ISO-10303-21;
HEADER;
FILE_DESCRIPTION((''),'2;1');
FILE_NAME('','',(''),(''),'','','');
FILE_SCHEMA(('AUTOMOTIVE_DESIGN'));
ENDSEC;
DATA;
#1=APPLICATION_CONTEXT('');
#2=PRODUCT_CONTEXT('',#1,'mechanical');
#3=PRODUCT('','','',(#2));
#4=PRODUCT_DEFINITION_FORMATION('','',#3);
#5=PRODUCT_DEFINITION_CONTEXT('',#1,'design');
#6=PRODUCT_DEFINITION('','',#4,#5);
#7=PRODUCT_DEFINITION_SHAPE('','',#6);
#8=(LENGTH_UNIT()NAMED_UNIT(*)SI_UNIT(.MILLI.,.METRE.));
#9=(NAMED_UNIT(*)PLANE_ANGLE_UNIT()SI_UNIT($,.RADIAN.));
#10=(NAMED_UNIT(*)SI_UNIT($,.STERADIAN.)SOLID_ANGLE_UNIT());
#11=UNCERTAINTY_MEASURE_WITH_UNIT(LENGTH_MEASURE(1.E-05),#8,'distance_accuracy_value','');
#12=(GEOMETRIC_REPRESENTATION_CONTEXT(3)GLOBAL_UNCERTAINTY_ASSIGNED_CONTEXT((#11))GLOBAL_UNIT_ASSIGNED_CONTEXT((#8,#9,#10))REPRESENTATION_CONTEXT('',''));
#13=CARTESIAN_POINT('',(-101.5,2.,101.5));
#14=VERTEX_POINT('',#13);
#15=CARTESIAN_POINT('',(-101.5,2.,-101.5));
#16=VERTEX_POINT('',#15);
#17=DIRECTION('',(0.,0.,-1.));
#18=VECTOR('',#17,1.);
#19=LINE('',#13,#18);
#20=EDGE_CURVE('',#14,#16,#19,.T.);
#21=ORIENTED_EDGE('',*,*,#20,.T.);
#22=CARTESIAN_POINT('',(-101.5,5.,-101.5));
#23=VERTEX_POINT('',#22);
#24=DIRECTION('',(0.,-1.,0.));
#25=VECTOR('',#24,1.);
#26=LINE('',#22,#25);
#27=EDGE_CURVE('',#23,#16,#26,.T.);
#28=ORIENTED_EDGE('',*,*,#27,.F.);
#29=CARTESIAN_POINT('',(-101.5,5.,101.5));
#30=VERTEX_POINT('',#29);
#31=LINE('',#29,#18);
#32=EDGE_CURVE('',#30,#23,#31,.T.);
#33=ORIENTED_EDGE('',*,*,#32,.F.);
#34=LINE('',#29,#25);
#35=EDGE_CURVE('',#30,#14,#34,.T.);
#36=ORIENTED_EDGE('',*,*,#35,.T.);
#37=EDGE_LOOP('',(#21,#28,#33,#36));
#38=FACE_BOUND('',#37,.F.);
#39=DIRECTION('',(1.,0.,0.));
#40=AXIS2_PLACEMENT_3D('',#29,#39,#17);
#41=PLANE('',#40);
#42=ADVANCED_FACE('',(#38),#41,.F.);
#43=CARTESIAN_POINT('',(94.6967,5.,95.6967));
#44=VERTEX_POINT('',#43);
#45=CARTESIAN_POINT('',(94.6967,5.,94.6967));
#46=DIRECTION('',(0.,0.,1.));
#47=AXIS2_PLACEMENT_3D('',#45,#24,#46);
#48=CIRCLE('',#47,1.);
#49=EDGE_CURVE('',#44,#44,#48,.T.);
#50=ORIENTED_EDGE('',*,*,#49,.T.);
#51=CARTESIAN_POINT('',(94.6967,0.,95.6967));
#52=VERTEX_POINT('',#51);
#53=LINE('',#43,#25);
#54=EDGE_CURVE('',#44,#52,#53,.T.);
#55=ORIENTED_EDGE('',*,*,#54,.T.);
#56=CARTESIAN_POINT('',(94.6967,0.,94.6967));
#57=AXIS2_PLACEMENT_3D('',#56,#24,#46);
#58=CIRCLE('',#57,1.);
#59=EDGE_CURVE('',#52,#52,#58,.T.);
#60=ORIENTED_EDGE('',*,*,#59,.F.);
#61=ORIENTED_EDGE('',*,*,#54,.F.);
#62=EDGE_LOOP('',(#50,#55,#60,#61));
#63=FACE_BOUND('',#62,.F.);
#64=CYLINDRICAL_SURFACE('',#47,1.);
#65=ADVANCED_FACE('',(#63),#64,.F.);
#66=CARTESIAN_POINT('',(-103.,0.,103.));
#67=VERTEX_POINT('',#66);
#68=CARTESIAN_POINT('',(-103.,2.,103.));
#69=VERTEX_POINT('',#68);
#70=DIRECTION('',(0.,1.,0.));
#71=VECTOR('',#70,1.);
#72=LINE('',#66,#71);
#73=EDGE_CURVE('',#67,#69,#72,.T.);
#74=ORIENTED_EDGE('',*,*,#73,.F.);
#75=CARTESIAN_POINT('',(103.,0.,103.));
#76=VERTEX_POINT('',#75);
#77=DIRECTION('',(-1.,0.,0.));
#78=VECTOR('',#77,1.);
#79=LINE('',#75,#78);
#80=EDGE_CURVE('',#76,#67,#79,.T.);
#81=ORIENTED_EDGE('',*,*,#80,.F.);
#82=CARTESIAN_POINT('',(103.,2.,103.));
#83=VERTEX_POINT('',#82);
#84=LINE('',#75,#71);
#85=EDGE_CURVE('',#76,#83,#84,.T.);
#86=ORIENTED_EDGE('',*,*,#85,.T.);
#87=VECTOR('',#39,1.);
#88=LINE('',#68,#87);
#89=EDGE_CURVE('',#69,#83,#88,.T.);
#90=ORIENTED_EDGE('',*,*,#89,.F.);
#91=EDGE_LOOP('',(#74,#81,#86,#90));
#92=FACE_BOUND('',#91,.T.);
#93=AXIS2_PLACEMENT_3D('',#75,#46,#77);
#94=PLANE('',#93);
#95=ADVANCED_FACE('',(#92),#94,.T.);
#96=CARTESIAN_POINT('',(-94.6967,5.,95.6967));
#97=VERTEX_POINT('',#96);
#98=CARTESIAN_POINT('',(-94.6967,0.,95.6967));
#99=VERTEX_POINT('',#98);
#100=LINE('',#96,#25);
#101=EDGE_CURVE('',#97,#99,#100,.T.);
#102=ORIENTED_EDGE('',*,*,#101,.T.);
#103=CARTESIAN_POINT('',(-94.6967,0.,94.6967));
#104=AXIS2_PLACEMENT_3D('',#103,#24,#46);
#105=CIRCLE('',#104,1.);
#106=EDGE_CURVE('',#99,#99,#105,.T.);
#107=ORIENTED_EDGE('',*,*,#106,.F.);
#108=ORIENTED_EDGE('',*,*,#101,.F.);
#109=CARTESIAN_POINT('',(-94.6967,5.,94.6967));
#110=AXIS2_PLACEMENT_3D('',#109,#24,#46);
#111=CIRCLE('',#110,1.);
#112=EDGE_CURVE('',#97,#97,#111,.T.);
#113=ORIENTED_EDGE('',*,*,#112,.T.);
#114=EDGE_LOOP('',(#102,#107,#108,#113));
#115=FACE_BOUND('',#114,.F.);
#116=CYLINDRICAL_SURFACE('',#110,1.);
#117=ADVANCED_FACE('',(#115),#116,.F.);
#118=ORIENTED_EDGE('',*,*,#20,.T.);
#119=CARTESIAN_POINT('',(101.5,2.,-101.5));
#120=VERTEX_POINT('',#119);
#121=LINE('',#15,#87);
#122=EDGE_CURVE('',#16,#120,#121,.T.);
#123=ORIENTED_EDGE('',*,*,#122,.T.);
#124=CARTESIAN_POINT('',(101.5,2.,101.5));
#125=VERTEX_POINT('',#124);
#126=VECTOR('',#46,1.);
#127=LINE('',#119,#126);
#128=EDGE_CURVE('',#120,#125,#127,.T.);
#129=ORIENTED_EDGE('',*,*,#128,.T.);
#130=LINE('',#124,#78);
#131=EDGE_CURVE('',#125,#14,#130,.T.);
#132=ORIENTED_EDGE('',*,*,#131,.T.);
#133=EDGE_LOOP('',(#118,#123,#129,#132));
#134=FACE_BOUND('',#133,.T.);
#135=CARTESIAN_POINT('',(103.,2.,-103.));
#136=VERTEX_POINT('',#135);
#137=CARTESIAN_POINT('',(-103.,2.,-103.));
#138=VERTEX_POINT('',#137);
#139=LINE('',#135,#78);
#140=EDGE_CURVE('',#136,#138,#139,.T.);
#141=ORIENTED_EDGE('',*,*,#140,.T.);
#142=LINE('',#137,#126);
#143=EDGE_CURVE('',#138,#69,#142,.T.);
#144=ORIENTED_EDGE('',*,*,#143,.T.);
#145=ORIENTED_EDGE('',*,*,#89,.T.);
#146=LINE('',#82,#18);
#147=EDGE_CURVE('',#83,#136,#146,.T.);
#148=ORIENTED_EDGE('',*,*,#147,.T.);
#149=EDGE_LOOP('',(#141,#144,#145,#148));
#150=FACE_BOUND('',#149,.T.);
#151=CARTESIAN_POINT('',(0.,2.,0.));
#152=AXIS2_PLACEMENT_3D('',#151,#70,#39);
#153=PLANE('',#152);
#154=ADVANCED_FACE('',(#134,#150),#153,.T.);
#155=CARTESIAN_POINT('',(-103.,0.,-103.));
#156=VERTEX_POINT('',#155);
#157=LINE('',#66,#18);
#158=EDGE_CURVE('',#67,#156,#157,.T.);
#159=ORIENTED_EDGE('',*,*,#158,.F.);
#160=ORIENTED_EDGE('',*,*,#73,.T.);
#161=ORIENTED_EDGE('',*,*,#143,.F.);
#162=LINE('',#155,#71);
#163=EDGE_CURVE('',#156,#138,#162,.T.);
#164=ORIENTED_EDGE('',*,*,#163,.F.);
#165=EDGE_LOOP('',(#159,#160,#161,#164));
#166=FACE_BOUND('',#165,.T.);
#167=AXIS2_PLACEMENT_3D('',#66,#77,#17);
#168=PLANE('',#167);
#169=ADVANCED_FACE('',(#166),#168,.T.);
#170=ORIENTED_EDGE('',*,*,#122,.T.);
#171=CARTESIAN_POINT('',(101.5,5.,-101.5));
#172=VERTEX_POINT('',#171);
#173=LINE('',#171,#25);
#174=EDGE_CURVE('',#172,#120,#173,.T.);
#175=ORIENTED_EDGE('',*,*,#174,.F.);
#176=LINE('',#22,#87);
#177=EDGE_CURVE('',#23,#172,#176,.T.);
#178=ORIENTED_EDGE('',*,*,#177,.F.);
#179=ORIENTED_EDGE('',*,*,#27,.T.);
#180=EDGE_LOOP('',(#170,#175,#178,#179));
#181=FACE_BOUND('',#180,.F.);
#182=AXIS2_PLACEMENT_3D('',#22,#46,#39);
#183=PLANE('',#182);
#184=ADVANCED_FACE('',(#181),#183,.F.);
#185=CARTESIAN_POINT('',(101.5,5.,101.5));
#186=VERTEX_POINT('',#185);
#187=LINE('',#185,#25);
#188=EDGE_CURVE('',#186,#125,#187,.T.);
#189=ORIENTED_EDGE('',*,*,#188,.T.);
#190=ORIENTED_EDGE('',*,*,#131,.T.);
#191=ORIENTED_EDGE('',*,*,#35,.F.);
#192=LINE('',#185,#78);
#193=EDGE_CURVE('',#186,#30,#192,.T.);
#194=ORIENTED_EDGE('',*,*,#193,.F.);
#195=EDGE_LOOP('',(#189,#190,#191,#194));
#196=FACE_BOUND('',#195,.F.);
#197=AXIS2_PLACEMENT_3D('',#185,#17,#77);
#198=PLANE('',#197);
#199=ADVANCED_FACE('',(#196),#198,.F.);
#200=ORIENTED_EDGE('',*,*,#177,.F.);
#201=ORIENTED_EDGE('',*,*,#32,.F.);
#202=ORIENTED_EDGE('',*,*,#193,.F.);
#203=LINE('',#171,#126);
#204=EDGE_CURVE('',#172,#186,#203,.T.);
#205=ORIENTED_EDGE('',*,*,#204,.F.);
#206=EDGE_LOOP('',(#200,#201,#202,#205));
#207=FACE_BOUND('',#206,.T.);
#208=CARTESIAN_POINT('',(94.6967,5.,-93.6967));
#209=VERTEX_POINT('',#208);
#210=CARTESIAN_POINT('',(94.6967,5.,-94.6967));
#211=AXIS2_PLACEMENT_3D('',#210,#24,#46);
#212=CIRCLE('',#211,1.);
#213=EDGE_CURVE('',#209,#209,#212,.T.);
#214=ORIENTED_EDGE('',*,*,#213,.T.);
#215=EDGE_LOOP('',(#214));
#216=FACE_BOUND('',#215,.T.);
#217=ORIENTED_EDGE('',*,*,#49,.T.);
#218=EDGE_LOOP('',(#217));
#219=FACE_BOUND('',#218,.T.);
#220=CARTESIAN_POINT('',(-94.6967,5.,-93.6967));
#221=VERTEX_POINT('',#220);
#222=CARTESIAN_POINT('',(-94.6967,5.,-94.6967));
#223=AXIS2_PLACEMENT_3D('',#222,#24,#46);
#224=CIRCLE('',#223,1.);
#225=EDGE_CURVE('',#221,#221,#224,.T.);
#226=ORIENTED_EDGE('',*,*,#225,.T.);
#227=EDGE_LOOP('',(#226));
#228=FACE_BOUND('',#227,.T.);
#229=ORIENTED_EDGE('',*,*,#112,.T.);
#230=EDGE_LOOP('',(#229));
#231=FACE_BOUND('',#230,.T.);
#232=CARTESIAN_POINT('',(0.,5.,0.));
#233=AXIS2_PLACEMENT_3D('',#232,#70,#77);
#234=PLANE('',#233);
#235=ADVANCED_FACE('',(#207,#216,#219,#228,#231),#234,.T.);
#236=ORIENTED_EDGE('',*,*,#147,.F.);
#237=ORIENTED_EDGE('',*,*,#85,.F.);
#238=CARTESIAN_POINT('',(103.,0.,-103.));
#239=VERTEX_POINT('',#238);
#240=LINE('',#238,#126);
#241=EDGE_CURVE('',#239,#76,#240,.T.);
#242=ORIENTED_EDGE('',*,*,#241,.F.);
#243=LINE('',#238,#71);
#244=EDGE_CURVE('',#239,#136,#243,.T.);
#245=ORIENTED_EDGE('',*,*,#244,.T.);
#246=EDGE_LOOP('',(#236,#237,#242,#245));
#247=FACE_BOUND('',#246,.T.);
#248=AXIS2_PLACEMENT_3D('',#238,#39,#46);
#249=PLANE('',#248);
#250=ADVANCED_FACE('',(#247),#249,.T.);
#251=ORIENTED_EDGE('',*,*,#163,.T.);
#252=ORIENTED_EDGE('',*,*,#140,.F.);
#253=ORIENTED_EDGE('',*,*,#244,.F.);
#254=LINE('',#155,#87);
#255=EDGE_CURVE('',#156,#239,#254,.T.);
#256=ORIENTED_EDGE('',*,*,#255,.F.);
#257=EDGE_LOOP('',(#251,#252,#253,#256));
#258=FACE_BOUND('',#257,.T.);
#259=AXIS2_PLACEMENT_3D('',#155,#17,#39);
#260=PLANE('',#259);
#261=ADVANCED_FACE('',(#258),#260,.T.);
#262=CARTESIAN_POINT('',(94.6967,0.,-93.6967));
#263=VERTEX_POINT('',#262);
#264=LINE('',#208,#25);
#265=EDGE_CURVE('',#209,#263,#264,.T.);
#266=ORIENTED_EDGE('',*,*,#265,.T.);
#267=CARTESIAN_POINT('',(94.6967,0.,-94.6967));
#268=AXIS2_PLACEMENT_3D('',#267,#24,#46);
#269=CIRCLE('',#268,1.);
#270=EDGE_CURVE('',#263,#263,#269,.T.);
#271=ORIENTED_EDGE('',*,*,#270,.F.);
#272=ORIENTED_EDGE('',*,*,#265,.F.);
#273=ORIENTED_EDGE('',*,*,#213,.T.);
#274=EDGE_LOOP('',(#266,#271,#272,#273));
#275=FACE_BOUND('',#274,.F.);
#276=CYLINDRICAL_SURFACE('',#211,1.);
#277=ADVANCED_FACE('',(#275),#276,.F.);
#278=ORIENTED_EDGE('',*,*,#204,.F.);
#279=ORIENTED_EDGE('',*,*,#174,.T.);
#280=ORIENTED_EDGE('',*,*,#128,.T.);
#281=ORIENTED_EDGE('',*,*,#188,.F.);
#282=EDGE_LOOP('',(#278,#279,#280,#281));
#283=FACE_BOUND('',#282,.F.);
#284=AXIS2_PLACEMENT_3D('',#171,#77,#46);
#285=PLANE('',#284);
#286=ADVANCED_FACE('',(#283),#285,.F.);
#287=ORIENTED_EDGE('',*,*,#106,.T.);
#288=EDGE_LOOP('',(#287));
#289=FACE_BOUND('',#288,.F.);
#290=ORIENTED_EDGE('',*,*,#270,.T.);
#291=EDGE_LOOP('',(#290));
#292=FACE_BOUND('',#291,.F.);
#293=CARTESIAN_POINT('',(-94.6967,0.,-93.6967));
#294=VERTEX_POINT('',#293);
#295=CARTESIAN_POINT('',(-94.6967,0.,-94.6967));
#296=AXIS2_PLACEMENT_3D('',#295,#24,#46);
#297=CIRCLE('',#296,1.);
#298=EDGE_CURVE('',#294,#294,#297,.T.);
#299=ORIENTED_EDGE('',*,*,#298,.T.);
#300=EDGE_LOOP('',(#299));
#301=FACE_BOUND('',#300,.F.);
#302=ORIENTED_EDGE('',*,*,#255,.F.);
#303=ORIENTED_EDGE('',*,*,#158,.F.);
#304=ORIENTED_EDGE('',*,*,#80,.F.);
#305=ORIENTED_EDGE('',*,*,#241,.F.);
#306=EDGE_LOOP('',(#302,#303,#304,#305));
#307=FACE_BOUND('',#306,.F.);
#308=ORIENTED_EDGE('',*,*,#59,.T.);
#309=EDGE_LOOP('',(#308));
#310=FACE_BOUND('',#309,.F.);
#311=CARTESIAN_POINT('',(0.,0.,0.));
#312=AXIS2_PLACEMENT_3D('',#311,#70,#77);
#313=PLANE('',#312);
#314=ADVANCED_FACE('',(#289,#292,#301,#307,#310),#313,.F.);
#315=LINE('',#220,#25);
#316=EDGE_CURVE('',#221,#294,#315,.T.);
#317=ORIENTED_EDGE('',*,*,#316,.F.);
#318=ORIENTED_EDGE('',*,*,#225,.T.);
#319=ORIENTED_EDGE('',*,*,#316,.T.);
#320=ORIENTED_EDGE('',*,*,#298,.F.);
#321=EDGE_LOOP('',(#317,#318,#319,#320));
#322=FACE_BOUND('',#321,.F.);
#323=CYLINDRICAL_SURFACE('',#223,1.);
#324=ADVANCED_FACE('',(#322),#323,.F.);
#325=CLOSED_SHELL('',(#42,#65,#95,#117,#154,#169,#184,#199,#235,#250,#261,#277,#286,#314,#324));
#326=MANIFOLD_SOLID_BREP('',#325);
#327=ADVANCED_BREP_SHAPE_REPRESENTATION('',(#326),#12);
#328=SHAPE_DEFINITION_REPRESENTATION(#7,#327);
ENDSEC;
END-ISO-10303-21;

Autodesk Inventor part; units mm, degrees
ref_plane "YZ Plane" through (0, 0, 0) normal (1, 0, 0) x (0, 1, 0)
ref_plane "XZ Plane" through (0, 0, 0) normal (0, 1, 0) x (-1, 0, 0)
ref_plane "XY Plane" through (0, 0, 0) normal (0, 0, 1) x (1, 0, 0)
sketch "Boceto1" plane through (0, 0, 0) normal (0, 1, 0) x (-1, 0, 0)
  line L0 (-103, 103) -> (103, 103)
  line L1 (103, 103) -> (103, -103)
  line L2 (103, -103) -> (-103, -103)
  line L3 (-103, -103) -> (-103, 103)
  line L4 (-103, 103) -> (103, -103) construction
  line L5 (103, 103) -> (-103, -103) construction
  point P0 (0, 0)
  dimension "d0" = 206
  dimension "d1" = 206
extrude "Extrusión1" add sketch "Boceto1" along normal blind 5
sketch "Boceto3" plane through (0, 5, 0) normal (0, 1, 0) x (1, 0, 0)
  line L0 (85, 100) -> (103, 100)
  line L1 (103, -103) -> (103, 103) projected
  line L2 (100, -85) -> (100, 85) projected
  line L3 (100, 85) -> (100, 100)
  line L4 (100, 100) -> (116.202, 100) construction
  arc A0 (85, 100) -> (100, 85) centre (100, 100) ccw projected
  line L5 (89.3934, 89.3934) -> (89.3934, 100)
  line L6 (89.3934, 89.3934) -> (100, 89.3934)
  line L7 (89.3934, 100) -> (100, 89.3934)
  line L8 (89.3934, 89.3934) -> (100, 100)
  circle A1 centre (94.6967, 94.6967) radius 1
  circle A2 centre (-94.6967, 94.6967) radius 1
  circle A3 centre (-94.6967, -94.6967) radius 1
  circle A4 centre (94.6967, -94.6967) radius 1
  point P0 (0, 0)
  dimension "d12" = 2
  dimension "d15" = 360
hole "Agujero1" at (-94.6967, 5, -94.6967) at (-94.6967, 5, 94.6967) at (94.6967, 5, 94.6967) at (94.6967, 5, -94.6967) direction (0, -1, 0) diameter 2 end through all
sketch "Boceto4" plane through (0, 5, 0) normal (0, 1, 0) x (1, 0, 0)
  line L0 (-101.5, 101.5) -> (101.5, 101.5)
  line L1 (101.5, 101.5) -> (101.5, -101.5)
  line L2 (101.5, -101.5) -> (-101.5, -101.5)
  line L3 (-101.5, -101.5) -> (-101.5, 101.5)
  line L4 (-101.5, 101.5) -> (101.5, -101.5) construction
  line L5 (101.5, 101.5) -> (-101.5, -101.5) construction
  line L6 (-103, -103) -> (103, -103)
  line L7 (103, -103) -> (103, 103)
  line L8 (103, 103) -> (-103, 103)
  line L9 (-103, 103) -> (-103, -103)
  point P0 (0, 0)
  dimension "d24" = 203
  dimension "d25" = 203
  dimension "d26" = 206
  dimension "d27" = 206
extrude "Extrusión3" cut sketch "Boceto4" against normal blind 3
sketch "Boceto5" plane through (0, 0, 0) normal (0, -1, 0) x (1, 0, 0)
  point P0 (0, 0)
sketch "Boceto6" plane through (0, 0, 0) normal (0, -1, 0) x (1, 0, 0)
  point P0 (0, 0)
properties part number "tapa_cuboLed"
